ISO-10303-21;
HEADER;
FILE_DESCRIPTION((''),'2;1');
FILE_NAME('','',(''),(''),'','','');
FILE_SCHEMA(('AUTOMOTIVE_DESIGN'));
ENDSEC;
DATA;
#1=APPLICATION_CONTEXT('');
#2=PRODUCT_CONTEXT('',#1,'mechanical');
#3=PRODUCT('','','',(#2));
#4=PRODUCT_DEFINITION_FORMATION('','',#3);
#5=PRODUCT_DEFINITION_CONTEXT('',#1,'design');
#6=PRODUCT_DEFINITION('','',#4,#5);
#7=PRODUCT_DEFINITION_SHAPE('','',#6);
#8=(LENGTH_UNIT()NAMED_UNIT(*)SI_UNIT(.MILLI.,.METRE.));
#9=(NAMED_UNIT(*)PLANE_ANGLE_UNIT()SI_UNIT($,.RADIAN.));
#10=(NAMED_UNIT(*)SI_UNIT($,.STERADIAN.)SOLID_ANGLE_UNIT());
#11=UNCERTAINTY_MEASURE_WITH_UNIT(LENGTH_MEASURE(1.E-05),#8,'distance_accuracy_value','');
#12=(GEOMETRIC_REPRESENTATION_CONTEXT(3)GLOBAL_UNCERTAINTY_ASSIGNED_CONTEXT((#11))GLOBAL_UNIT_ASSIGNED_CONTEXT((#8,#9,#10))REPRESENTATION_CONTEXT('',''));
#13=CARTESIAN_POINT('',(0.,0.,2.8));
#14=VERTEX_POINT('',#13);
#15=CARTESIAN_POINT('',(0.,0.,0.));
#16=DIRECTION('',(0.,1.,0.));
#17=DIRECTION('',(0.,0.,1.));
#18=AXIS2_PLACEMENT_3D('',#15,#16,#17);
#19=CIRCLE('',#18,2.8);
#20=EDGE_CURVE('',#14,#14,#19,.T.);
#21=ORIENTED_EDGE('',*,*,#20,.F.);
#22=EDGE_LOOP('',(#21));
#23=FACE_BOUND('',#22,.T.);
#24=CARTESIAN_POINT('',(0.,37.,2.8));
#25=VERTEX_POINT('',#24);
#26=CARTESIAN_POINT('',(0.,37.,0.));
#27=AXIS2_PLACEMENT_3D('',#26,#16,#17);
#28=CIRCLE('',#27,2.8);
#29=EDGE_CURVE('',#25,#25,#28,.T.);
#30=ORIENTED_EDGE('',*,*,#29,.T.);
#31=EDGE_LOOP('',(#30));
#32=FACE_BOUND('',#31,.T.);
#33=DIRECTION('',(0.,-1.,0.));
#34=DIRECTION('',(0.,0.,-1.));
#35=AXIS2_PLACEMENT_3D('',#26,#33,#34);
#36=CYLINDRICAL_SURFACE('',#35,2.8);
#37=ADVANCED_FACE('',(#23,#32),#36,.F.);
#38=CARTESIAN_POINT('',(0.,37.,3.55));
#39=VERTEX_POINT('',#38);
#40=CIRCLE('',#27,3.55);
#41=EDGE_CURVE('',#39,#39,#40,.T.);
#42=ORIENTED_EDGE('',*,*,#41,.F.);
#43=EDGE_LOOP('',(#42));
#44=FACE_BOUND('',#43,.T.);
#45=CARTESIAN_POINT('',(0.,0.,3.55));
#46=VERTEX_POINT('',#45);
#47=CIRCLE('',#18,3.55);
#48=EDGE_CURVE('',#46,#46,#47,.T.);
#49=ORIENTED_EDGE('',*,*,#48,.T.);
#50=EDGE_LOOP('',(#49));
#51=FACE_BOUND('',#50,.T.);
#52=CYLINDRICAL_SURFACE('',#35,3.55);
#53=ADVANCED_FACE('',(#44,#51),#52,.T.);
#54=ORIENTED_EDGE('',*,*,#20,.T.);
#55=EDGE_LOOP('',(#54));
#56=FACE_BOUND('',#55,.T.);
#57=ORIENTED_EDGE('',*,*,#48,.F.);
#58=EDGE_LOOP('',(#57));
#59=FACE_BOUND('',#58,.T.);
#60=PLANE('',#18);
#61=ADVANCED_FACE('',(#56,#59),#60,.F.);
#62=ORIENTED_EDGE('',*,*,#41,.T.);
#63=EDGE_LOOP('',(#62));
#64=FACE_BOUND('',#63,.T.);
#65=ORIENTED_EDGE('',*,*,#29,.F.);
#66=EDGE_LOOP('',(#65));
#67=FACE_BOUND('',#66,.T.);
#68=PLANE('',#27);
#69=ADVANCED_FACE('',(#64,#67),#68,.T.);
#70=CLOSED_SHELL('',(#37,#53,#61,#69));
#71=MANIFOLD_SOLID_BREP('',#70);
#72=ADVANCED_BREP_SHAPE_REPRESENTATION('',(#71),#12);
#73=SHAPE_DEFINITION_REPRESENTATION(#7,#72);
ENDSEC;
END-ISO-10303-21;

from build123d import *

# Parameters (mm, degrees)
IZIM1_R                     = 3.55
IZIM1_R_2                   = 2.8
Y_KSEKLIK_EKSTR_ZYON1_DEPTH = 37


with BuildPart() as part:
    # Çizim1 → Yükseklik-Ekstrüzyon1 (new body)
    with BuildSketch(Plane(origin=(0, 0, 0), x_dir=(1, 0, 0), z_dir=(0, 1, 0))):
        with Locations(Location((0, 0, 0), (0, 0, 270))):
            Circle(IZIM1_R)
        with Locations(Location((0, 0, 0), (0, 0, 270))):
            Circle(IZIM1_R_2, mode=Mode.SUBTRACT)
    extrude(amount=Y_KSEKLIK_EKSTR_ZYON1_DEPTH)


solid = part.part
